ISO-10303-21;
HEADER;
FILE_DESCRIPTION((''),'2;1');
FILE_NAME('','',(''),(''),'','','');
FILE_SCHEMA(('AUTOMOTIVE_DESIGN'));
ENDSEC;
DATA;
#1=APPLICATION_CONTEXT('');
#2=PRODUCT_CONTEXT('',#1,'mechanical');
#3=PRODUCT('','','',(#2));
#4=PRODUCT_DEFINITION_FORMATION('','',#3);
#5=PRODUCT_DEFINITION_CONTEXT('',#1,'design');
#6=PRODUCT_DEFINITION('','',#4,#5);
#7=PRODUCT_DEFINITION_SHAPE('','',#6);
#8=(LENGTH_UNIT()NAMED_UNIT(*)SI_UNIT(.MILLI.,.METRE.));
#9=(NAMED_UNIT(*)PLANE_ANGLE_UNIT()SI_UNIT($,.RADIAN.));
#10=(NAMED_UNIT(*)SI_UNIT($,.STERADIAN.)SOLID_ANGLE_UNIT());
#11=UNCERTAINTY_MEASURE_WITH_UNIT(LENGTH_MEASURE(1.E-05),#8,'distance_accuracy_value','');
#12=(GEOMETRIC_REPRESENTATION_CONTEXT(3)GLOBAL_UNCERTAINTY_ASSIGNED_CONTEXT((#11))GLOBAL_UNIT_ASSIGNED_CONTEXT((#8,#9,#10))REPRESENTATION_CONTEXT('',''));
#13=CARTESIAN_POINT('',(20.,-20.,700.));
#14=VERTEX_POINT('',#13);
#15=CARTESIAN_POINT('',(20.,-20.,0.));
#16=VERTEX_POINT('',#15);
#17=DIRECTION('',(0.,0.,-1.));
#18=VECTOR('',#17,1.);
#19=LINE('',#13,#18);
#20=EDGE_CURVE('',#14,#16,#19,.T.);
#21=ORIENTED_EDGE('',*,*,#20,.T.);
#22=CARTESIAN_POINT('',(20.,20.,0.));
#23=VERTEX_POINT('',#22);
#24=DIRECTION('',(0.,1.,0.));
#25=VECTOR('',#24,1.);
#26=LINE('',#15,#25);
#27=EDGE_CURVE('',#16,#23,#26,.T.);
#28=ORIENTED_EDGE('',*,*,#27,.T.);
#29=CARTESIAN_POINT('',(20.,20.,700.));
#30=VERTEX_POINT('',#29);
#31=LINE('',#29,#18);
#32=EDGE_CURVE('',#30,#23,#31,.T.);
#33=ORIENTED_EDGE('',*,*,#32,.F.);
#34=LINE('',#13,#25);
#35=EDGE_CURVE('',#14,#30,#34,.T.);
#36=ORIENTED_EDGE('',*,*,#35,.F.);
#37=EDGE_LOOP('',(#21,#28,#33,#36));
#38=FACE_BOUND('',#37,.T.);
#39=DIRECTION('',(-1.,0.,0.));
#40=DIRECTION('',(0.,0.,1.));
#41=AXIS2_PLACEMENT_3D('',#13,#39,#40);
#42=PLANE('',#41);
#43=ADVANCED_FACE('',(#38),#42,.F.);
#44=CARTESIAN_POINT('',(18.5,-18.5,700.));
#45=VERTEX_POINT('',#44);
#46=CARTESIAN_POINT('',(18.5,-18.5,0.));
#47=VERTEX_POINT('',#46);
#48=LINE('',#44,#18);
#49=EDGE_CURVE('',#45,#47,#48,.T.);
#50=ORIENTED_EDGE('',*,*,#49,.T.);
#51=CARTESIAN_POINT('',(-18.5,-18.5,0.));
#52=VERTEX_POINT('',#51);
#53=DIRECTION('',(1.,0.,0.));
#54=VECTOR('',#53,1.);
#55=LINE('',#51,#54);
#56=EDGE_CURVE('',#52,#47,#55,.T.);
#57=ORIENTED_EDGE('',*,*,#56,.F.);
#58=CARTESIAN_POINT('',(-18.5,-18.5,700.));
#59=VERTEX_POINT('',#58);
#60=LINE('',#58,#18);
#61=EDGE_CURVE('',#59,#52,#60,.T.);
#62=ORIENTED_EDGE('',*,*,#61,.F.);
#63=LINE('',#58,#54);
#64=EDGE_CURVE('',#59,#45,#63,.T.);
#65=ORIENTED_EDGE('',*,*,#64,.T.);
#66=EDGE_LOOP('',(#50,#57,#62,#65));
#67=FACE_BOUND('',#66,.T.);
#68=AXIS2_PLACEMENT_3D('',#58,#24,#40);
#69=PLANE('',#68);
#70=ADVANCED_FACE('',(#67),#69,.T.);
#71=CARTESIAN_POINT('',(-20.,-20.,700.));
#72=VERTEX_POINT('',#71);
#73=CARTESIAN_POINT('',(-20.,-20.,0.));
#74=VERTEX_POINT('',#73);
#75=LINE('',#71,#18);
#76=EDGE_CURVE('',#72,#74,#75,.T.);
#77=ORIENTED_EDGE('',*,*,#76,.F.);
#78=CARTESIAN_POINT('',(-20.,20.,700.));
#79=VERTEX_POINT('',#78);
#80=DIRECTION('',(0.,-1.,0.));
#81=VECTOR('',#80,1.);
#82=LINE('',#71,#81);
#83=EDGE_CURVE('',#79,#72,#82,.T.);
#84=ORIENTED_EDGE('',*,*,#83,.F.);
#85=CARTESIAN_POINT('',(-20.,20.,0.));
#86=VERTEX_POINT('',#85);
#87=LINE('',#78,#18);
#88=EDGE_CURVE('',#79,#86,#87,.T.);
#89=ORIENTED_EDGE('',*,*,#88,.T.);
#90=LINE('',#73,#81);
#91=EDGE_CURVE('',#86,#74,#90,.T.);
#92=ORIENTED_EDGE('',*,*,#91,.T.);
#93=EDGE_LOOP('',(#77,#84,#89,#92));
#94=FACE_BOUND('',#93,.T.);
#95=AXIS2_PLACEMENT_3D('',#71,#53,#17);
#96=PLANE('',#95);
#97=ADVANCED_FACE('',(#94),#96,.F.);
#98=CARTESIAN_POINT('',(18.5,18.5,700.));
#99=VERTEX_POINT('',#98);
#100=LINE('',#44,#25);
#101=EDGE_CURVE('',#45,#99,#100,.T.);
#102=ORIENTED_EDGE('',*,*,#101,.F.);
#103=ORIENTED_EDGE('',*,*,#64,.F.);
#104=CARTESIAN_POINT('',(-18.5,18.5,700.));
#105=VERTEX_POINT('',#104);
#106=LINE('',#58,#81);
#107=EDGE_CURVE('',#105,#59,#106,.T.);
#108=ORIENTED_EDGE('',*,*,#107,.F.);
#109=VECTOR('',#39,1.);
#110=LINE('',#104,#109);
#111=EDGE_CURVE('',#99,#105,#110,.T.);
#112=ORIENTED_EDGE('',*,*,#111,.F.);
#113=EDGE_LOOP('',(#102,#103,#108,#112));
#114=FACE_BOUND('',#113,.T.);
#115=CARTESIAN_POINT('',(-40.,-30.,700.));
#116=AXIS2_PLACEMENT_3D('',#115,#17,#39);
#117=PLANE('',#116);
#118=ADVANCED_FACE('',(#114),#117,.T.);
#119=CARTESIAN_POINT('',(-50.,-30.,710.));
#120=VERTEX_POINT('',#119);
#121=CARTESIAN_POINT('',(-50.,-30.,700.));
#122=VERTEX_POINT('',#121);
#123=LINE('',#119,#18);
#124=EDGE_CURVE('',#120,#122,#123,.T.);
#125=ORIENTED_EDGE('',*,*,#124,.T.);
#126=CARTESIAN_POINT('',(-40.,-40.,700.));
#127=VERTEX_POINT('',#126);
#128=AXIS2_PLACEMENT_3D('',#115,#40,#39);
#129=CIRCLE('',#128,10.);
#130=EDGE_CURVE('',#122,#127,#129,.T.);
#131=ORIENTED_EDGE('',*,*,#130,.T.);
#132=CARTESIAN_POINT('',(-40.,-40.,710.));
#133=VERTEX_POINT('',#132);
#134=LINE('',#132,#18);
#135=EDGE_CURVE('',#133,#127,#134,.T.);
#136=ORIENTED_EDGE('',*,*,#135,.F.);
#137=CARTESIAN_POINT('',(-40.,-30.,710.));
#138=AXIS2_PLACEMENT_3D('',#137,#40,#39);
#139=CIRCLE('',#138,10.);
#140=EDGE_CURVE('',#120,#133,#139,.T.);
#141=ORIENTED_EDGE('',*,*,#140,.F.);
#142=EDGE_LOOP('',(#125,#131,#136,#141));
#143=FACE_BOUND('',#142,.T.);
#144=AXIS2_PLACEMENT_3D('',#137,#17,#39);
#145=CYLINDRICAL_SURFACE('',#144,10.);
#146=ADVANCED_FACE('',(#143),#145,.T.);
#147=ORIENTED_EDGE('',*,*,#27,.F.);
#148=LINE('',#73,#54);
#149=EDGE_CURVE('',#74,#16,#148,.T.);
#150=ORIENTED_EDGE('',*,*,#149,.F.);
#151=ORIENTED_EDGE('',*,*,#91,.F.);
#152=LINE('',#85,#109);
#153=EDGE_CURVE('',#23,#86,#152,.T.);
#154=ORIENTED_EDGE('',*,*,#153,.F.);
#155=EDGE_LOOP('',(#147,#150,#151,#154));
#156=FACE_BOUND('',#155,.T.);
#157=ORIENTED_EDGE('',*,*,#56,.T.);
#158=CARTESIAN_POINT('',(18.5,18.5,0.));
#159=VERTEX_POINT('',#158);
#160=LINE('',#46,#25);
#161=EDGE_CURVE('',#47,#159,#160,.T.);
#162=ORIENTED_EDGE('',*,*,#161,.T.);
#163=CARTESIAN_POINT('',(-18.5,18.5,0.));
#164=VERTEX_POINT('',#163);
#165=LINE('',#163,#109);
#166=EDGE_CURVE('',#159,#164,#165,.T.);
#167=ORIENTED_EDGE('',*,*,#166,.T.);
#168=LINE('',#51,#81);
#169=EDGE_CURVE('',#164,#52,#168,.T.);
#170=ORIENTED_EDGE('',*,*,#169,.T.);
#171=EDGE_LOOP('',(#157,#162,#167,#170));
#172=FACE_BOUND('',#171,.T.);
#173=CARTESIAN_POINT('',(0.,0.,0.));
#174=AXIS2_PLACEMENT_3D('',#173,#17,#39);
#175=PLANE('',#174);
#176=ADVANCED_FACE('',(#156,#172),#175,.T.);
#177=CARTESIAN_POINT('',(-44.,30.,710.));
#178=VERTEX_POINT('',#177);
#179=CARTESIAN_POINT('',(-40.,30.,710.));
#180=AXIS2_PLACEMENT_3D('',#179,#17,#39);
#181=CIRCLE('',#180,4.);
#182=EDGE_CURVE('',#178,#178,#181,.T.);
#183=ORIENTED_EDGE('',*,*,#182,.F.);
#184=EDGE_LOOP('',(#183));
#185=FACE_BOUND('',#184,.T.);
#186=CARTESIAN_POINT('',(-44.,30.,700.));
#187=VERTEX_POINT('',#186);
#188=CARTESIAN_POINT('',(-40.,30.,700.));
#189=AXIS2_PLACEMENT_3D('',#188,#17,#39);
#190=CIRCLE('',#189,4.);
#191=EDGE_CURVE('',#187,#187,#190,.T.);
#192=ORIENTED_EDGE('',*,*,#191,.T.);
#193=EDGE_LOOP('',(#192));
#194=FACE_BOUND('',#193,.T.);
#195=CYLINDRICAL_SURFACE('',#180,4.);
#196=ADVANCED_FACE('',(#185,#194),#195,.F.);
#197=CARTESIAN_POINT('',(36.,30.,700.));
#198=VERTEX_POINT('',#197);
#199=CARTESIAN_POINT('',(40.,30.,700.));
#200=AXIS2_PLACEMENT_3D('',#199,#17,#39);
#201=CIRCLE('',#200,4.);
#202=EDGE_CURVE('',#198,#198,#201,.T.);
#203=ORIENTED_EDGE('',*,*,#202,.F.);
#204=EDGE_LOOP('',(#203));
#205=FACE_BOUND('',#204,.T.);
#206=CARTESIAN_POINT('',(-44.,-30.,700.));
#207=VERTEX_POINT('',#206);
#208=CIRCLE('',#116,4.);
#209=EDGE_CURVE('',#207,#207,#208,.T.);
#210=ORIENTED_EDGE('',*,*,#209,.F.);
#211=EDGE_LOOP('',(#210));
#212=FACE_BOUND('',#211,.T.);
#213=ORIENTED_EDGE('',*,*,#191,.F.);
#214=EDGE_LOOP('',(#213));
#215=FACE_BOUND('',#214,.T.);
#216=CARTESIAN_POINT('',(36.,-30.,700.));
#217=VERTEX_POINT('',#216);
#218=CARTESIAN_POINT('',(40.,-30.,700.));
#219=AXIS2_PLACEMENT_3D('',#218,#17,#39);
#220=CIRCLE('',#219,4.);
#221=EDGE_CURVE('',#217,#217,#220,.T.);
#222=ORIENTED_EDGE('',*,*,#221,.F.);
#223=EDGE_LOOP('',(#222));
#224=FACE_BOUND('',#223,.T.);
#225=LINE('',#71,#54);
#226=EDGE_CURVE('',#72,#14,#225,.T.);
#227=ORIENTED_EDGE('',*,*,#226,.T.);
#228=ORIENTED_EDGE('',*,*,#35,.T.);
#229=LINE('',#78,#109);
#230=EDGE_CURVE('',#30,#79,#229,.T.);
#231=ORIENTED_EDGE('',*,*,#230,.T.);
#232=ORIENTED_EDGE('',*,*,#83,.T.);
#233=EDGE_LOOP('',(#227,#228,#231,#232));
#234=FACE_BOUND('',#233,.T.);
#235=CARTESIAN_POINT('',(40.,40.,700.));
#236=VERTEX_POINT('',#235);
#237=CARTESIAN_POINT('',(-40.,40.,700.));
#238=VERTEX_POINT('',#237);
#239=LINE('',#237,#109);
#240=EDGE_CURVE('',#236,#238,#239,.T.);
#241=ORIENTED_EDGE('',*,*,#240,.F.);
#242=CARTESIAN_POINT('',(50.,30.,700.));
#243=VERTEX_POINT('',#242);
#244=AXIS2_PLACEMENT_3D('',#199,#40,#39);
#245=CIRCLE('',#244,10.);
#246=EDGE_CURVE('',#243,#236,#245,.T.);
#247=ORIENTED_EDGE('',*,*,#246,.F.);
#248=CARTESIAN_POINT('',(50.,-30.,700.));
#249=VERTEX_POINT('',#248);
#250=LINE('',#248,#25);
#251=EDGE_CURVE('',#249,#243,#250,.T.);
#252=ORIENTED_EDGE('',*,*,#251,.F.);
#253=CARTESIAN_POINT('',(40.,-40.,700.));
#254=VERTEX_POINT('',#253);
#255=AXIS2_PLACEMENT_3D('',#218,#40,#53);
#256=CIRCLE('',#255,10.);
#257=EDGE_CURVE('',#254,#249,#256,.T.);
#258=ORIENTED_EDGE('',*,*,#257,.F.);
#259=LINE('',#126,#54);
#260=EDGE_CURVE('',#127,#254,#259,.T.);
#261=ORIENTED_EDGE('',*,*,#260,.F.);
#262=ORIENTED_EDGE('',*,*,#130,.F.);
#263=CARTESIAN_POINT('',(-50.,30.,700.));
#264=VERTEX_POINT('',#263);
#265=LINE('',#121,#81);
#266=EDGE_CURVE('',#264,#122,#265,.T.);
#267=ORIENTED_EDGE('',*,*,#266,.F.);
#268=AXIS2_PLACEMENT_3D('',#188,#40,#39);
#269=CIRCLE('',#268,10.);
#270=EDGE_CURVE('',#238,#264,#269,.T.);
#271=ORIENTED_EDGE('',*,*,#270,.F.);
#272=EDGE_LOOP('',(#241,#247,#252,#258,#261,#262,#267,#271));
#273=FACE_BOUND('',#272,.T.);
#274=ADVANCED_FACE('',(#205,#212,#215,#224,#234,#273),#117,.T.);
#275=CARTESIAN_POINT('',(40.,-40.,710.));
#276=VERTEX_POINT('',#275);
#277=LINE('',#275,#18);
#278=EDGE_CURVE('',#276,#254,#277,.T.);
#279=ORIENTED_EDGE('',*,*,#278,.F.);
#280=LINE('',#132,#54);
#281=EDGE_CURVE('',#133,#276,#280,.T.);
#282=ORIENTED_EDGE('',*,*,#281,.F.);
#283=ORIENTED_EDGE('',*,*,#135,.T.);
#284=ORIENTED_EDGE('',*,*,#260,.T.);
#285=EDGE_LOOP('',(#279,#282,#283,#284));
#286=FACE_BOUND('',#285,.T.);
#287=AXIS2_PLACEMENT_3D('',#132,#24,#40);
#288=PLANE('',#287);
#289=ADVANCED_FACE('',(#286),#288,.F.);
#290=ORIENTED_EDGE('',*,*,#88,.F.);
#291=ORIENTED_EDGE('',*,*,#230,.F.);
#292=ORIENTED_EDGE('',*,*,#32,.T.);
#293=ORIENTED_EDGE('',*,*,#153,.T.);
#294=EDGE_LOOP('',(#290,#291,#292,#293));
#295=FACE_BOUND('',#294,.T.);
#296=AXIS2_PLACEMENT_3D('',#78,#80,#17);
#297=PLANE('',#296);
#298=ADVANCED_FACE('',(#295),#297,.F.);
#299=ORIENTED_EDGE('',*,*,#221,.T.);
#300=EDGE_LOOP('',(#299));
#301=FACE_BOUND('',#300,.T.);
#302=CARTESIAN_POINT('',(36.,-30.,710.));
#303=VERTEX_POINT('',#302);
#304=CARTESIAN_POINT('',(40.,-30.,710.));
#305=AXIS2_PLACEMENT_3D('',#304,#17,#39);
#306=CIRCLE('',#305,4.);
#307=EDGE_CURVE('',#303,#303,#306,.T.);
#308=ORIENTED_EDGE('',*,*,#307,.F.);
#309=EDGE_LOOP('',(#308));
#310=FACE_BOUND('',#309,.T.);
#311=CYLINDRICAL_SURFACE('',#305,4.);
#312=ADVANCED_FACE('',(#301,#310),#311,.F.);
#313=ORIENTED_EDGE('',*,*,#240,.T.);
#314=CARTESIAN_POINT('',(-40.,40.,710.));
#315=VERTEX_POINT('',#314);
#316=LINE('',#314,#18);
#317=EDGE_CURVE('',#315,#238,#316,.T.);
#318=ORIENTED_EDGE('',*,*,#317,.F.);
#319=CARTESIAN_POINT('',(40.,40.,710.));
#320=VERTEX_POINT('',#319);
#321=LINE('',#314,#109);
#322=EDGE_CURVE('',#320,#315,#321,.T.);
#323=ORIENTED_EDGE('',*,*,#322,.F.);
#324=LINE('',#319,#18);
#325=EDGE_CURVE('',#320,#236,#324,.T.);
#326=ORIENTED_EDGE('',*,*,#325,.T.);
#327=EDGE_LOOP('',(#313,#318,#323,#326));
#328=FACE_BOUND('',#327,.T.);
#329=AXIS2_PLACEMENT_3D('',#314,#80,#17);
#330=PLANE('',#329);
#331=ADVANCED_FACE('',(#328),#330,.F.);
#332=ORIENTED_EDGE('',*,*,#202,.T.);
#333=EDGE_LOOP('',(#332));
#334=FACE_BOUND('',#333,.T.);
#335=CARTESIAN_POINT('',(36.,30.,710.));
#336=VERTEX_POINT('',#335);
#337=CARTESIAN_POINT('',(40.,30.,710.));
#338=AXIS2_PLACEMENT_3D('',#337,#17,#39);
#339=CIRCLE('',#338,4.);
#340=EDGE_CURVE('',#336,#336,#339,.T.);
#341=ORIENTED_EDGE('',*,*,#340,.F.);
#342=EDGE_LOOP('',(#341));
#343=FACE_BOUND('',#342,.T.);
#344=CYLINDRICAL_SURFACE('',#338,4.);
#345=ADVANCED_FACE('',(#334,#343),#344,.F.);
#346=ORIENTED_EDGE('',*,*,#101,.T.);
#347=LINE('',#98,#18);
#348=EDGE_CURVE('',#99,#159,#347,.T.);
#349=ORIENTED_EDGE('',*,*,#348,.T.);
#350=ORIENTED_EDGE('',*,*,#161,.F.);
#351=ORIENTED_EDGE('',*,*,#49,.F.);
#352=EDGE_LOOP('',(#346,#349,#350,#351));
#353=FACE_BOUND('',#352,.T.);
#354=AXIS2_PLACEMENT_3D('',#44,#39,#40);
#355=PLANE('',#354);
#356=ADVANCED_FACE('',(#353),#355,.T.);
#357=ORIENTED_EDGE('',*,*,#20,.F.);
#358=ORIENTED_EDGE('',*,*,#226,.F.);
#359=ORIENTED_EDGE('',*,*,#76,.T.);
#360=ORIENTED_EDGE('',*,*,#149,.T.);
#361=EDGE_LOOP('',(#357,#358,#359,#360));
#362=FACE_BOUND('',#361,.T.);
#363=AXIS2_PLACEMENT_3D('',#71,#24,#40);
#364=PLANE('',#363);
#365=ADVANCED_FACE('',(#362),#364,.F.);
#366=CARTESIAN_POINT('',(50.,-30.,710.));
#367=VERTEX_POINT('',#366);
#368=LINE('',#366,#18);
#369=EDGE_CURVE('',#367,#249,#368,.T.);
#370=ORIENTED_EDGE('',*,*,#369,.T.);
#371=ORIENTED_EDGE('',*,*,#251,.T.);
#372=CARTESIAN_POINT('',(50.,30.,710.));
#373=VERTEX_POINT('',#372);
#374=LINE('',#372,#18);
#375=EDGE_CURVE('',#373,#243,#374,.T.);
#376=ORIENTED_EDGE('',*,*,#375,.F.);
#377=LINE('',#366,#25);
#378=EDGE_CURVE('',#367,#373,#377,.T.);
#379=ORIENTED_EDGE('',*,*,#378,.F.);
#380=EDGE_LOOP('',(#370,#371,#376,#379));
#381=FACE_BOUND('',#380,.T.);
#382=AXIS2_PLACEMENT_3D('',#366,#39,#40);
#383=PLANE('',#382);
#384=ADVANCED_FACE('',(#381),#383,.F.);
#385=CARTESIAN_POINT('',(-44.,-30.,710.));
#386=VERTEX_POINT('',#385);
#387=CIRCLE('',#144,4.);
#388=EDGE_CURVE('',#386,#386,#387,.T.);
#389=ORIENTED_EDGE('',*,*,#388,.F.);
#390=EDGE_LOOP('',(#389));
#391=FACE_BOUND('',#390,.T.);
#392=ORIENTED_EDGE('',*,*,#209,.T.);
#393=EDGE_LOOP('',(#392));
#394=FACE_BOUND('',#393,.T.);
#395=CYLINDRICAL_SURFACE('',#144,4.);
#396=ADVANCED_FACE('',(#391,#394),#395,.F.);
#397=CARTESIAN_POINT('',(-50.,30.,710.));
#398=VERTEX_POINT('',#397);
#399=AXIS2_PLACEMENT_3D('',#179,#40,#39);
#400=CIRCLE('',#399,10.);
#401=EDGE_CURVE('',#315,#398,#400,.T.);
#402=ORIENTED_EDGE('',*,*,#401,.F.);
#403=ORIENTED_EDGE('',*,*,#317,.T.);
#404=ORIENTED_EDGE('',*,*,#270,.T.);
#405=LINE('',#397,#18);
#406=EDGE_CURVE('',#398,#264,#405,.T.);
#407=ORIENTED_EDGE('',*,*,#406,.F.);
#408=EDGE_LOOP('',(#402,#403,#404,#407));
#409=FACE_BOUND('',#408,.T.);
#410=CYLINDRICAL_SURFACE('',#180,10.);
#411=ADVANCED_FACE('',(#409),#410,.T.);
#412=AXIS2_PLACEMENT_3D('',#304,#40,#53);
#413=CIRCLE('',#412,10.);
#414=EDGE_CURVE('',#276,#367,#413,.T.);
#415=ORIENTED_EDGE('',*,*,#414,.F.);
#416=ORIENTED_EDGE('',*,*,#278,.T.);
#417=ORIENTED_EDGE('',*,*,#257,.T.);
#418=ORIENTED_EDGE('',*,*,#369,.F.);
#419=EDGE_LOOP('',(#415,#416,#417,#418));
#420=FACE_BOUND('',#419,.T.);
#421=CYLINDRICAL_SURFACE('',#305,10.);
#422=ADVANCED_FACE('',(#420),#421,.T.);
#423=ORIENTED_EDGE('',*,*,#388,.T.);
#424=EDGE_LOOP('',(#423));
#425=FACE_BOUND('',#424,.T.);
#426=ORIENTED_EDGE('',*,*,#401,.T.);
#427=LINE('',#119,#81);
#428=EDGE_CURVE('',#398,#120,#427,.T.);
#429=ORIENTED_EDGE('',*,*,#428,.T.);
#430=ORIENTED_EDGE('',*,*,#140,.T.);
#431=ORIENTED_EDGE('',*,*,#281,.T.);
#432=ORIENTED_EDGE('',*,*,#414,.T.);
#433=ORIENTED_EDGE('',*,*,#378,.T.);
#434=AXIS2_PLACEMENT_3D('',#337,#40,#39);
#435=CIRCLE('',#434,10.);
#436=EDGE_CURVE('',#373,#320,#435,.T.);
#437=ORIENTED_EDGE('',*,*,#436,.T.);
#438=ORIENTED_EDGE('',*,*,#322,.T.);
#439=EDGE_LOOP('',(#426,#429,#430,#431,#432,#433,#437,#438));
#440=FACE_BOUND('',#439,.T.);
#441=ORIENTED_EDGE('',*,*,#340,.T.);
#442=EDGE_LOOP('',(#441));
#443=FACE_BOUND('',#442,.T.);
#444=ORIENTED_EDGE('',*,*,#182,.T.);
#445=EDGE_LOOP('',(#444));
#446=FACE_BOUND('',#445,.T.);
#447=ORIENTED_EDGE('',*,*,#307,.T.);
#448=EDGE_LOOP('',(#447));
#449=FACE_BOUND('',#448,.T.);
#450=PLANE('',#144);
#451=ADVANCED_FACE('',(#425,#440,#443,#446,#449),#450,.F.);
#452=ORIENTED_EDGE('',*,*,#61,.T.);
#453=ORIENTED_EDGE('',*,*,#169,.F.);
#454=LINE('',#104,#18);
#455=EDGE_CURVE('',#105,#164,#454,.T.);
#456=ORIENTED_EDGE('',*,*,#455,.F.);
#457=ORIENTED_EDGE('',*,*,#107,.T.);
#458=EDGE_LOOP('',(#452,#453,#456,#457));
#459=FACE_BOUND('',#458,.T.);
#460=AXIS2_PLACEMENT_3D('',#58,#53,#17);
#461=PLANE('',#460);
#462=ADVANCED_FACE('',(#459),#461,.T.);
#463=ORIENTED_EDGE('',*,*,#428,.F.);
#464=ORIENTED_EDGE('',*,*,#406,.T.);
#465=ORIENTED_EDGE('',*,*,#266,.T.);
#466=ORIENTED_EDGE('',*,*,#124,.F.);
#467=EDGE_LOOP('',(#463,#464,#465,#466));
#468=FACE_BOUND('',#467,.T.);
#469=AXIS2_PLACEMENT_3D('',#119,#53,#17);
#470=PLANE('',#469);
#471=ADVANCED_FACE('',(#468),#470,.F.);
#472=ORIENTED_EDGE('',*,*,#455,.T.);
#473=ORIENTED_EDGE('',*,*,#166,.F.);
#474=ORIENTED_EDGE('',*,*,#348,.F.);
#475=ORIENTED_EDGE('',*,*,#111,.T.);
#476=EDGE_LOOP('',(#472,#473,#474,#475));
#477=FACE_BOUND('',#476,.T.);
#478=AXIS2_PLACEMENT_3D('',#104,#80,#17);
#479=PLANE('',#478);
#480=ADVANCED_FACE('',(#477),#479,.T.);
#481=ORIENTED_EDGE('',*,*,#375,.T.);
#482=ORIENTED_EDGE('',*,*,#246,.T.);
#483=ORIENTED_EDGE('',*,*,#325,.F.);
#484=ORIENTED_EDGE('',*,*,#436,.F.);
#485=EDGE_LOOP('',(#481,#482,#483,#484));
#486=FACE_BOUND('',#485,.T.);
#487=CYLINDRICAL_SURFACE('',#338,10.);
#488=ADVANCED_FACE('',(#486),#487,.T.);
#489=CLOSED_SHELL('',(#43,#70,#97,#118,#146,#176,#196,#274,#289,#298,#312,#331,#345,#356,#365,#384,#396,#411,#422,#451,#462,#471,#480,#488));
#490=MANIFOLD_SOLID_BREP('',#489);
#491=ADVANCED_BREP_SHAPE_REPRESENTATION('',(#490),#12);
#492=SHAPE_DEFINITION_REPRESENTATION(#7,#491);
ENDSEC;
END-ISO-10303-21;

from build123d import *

# Parameters (mm, degrees)
ESQUISSE1_W             = 40
ESQUISSE1_H             = 40
ESQUISSE1_W_2           = 37
ESQUISSE1_H_2           = 37
BOSS_EXTRU_1_DEPTH      = 700
BOSS_EXTRU_2_DEPTH      = 10
ESQUISSE3_R             = 4
ENL_V_MAT_EXTRU_1_DEPTH = 10


with BuildPart() as part:
    # Esquisse1 → Boss.-Extru.1 (new body)
    with BuildSketch(Plane.XY):
        Rectangle(ESQUISSE1_W, ESQUISSE1_H)
        Rectangle(ESQUISSE1_W_2, ESQUISSE1_H_2, mode=Mode.SUBTRACT)
    extrude(amount=BOSS_EXTRU_1_DEPTH)

    # Esquisse2 → Boss.-Extru.2 (add)
    with BuildSketch(Plane.XY.offset(700)):
        with BuildLine():
            Line((-40, -40), (40, -40))
            ThreePointArc((40, -40), (47.071067812, -37.071067812), (50, -30))
            Line((50, -30), (50, 30))
            ThreePointArc((50, 30), (47.071067812, 37.071067812), (40, 40))
            Line((40, 40), (-40, 40))
            ThreePointArc((-40, 40), (-47.071067812, 37.071067812), (-50, 30))
            Line((-50, 30), (-50, -30))
            ThreePointArc((-50, -30), (-47.071067812, -37.071067812), (-40, -40))
        make_face()
    extrude(amount=BOSS_EXTRU_2_DEPTH)

    # Esquisse3 → Enlèv. mat.-Extru.1 (cut)
    with BuildSketch(Plane(origin=(0, 0, 700), x_dir=(-1, 0, 0), z_dir=(0, 0, -1))):
        with Locations((40, 30)):
            Circle(ESQUISSE3_R)
        with Locations((-40, 30)):
            Circle(ESQUISSE3_R)
        with Locations((-40, -30)):
            Circle(ESQUISSE3_R)
        with Locations((40, -30)):
            Circle(ESQUISSE3_R)
    extrude(amount=-ENL_V_MAT_EXTRU_1_DEPTH, mode=Mode.SUBTRACT)


solid = part.part
